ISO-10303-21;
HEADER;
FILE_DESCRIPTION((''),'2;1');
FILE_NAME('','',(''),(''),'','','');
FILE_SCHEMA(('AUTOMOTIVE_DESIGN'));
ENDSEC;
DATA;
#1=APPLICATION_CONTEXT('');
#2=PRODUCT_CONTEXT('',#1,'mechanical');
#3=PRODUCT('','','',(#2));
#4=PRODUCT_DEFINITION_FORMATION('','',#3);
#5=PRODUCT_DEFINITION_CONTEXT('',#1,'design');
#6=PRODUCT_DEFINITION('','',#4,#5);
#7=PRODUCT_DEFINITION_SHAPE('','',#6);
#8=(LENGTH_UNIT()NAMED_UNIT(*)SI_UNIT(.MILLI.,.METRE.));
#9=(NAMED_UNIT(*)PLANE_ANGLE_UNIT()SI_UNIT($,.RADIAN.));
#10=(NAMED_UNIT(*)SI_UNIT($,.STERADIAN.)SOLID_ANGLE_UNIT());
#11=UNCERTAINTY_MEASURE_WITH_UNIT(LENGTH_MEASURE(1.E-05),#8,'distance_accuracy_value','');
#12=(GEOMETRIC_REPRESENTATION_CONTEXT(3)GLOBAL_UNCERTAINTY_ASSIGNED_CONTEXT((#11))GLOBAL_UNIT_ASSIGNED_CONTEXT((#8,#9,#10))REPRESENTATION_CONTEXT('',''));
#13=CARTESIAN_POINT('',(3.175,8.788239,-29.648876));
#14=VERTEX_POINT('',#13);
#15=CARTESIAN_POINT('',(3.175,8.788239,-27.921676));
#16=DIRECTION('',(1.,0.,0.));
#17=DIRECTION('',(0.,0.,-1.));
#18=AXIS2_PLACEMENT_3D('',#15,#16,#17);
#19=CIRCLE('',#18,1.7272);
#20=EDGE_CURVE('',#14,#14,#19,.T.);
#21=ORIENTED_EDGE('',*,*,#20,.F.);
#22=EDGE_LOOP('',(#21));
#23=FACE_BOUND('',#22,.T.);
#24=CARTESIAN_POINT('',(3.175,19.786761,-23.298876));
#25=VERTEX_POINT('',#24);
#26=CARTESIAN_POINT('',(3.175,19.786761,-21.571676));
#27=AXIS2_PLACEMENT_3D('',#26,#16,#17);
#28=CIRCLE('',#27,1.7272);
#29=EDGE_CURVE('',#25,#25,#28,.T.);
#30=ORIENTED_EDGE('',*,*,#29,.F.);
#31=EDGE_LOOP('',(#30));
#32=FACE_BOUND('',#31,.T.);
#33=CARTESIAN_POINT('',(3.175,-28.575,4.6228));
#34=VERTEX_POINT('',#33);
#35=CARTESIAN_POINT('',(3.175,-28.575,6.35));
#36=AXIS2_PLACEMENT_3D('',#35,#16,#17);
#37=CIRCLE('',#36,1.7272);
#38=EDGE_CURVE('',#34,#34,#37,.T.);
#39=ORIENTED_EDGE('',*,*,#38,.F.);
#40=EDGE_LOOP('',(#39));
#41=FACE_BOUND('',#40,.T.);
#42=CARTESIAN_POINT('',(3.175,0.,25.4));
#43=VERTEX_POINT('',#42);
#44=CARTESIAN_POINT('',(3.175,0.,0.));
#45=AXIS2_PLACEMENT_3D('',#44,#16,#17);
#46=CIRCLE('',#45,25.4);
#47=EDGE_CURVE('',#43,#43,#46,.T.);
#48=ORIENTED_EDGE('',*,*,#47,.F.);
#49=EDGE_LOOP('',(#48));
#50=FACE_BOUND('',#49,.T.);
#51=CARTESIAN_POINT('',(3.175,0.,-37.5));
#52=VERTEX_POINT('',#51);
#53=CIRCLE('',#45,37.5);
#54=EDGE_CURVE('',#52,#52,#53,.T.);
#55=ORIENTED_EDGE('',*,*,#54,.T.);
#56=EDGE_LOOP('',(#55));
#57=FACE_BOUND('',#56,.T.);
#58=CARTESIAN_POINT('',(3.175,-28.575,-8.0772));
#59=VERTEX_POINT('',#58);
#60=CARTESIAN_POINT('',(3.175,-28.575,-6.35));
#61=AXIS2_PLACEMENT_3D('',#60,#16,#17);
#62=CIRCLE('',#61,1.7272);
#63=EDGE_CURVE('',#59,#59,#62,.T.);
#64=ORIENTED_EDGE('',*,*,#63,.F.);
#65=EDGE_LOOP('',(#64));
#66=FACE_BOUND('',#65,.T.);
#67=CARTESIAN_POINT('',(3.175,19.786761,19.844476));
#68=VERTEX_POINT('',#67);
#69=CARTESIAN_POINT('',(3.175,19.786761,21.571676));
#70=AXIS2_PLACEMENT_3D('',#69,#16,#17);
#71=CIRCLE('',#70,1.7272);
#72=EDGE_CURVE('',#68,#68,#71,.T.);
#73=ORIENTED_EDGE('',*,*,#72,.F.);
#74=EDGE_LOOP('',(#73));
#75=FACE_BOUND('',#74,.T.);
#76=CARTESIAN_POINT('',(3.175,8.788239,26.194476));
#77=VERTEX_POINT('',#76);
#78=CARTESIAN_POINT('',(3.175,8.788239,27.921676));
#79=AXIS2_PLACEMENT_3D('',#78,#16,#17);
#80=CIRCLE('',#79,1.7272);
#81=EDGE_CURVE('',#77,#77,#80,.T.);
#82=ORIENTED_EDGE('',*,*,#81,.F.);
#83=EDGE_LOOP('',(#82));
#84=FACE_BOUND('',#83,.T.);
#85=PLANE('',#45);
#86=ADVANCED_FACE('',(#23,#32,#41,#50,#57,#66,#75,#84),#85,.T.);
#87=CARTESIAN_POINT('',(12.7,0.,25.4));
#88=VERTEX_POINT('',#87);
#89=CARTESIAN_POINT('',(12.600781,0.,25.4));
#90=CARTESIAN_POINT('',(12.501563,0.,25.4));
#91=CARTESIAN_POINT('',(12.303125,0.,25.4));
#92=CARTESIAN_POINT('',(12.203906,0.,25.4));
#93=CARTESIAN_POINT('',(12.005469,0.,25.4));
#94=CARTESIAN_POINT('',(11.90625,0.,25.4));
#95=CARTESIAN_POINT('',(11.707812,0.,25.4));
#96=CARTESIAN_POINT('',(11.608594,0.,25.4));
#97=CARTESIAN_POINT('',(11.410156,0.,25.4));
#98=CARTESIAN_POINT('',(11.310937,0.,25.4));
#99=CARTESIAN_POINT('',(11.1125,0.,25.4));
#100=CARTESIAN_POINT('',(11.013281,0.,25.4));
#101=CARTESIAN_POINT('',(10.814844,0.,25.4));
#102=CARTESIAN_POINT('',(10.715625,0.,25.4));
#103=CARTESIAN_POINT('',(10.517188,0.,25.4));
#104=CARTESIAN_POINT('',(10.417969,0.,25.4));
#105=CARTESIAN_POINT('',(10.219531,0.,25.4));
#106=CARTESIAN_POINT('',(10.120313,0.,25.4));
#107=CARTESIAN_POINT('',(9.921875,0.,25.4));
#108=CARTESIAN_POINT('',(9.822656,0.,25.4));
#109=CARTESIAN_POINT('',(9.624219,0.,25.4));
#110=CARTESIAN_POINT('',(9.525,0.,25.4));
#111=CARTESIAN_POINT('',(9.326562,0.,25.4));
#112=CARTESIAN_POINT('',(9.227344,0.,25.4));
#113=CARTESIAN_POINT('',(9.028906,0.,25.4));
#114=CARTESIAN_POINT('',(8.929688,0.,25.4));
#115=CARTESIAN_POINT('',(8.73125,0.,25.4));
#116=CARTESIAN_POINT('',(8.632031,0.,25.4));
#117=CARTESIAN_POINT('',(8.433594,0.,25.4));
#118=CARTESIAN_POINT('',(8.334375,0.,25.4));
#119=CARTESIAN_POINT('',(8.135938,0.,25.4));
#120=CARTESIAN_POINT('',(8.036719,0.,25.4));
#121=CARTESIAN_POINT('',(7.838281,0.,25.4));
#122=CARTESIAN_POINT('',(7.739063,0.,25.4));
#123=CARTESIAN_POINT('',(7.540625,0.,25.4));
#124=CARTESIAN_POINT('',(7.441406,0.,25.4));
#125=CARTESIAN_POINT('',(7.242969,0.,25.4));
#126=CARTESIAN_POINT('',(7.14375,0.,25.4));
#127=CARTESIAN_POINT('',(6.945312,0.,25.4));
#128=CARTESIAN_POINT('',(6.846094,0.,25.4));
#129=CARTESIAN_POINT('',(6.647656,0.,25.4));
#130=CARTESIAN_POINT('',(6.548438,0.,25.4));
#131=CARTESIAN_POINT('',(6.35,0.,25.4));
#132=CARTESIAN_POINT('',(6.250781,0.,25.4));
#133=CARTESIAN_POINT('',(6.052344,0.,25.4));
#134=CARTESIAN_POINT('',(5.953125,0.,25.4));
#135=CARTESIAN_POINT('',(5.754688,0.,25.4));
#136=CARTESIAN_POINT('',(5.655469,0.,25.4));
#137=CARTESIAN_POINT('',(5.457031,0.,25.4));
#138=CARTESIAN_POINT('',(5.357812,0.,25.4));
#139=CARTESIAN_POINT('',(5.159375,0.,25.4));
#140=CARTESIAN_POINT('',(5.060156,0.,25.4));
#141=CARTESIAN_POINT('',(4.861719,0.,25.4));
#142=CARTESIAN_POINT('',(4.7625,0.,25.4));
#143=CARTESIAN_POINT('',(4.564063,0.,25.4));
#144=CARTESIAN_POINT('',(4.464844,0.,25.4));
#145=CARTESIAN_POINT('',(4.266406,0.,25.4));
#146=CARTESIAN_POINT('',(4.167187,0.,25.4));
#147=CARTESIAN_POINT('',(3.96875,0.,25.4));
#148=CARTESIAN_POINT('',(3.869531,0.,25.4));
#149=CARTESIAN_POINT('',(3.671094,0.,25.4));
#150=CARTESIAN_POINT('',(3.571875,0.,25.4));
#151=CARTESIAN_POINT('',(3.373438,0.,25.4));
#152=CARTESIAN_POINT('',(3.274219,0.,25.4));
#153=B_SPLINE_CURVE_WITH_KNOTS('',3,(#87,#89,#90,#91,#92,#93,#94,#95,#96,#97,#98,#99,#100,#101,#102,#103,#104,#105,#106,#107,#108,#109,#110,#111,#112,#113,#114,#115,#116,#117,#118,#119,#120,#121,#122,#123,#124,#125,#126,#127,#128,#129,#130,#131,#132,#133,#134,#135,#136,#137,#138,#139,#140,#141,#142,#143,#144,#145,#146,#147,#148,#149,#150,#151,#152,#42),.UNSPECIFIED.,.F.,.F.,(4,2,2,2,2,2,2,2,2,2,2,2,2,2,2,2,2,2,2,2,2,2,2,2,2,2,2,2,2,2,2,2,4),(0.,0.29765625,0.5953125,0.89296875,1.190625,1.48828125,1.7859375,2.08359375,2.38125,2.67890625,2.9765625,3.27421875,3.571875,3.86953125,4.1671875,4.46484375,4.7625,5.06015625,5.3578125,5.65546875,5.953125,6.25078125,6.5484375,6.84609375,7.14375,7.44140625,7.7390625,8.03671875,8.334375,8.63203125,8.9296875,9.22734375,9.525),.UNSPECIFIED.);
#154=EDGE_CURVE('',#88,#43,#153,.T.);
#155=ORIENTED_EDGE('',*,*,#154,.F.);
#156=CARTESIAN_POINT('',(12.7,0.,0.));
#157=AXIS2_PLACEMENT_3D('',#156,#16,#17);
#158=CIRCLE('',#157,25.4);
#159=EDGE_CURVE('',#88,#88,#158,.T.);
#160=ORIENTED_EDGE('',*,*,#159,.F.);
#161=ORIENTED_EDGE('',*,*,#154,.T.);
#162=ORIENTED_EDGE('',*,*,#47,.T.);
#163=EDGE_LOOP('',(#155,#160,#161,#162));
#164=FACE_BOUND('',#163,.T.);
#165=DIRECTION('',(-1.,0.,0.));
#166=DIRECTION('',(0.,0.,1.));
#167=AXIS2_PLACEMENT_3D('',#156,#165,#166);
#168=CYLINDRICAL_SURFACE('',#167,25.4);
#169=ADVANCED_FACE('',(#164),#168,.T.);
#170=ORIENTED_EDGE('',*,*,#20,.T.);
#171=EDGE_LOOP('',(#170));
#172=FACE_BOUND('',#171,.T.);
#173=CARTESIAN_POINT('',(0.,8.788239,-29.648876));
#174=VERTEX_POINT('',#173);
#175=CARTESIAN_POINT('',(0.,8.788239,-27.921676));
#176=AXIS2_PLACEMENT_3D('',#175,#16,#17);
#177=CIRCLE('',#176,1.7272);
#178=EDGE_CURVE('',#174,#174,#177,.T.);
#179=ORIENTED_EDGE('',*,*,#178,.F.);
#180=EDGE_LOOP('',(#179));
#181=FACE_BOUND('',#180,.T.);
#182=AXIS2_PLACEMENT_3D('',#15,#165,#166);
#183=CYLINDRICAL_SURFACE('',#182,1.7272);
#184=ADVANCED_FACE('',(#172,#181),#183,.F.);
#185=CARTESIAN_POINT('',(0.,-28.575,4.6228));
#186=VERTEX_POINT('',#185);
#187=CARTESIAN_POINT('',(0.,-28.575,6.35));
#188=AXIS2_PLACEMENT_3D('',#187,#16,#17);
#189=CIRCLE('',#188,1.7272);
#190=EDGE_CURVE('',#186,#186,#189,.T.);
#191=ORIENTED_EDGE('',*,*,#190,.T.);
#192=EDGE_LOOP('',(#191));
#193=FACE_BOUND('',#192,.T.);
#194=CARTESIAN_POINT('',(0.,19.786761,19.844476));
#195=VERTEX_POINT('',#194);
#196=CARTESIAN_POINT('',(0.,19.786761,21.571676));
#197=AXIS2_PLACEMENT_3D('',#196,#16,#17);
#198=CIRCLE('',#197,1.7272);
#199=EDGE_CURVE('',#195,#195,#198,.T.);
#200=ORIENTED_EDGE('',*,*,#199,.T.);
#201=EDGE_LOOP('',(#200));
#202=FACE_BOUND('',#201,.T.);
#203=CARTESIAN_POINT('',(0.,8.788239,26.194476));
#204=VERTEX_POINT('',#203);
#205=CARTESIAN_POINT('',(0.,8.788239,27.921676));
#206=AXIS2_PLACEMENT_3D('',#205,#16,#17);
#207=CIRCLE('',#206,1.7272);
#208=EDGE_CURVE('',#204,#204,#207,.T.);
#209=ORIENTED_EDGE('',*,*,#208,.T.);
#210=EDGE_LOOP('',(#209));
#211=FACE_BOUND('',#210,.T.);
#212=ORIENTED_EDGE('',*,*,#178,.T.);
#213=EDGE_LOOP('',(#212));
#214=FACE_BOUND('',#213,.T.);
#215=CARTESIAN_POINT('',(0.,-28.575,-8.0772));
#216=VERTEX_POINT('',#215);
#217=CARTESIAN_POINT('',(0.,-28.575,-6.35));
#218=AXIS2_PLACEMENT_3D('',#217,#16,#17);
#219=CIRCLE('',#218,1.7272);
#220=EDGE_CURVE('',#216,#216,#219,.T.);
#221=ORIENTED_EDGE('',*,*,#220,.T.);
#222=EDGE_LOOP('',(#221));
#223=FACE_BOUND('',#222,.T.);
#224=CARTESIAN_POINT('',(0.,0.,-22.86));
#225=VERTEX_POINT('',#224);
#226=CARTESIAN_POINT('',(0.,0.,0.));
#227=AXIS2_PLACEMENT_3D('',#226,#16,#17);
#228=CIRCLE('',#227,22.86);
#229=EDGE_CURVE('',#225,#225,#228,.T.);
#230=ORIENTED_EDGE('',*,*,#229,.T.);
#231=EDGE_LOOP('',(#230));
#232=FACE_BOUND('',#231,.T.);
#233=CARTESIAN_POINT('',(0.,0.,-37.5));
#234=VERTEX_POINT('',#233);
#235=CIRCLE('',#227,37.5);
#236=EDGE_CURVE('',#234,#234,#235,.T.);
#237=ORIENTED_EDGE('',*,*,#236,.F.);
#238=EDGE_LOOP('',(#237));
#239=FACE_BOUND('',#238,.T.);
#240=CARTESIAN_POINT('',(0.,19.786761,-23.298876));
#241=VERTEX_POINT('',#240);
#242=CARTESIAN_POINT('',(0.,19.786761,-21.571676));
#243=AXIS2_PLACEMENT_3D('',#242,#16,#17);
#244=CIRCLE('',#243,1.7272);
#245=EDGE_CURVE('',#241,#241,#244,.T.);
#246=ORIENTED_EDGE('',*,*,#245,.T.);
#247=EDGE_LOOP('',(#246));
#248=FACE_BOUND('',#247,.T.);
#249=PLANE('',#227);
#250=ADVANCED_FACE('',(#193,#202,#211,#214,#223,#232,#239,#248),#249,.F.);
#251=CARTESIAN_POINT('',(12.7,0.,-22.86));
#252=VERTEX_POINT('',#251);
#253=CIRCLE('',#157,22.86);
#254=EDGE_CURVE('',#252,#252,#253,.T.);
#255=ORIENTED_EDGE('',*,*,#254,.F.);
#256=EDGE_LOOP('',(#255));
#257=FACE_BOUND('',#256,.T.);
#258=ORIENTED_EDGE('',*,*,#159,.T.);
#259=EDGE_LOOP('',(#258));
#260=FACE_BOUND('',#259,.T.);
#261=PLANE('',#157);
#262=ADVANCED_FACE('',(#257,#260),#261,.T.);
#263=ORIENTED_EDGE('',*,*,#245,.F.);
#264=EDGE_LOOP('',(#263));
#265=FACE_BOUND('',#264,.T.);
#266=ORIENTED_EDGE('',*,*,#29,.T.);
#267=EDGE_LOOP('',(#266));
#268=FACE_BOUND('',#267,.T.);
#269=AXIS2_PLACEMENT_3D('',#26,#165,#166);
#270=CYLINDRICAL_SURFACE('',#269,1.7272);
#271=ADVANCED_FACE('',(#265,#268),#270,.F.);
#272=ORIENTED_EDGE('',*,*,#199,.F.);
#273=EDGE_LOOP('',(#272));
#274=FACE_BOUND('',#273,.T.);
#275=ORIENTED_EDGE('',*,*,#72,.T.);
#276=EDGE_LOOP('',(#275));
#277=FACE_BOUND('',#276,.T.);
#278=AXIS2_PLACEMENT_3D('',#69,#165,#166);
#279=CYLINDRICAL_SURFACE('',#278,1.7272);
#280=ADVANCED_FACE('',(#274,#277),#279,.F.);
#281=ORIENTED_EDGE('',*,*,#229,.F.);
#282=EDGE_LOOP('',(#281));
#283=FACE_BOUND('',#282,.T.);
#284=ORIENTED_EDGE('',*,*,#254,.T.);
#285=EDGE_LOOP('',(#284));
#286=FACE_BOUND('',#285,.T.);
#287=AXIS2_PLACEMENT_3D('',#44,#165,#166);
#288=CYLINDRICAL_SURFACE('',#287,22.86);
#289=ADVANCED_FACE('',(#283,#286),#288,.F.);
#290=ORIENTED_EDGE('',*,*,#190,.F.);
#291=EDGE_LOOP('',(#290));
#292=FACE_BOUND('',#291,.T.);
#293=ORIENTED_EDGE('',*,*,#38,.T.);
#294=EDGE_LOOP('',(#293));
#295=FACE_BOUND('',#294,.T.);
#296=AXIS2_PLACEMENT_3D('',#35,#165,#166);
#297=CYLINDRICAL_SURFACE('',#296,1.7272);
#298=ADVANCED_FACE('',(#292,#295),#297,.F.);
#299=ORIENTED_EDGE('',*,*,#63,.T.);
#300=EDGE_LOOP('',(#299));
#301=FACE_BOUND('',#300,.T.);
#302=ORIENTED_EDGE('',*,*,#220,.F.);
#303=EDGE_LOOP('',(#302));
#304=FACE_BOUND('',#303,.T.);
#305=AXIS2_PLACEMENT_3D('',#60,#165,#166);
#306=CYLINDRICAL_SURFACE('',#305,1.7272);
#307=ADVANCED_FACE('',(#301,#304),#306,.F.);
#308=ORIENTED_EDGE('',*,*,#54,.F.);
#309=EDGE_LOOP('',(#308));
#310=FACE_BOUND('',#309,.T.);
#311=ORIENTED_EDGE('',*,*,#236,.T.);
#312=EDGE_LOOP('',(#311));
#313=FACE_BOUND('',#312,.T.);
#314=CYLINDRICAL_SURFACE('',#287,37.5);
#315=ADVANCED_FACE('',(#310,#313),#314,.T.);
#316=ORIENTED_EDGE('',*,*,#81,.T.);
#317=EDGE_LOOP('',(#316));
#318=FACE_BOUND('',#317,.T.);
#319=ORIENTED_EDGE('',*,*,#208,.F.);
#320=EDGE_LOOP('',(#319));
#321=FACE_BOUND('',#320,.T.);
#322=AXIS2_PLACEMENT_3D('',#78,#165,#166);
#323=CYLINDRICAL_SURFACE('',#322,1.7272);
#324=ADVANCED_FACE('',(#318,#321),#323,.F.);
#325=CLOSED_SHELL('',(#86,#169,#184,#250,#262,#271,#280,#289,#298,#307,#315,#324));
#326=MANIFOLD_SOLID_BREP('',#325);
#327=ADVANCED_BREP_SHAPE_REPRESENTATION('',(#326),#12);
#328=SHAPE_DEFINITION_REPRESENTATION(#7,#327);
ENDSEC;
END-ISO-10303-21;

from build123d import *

# Parameters (mm, degrees)
SKETCH2_R           = 37.5
SKETCH2_R_2         = 1.7272
SKETCH2_R_3         = 22.86
BOSS_EXTRUDE1_DEPTH = 3.175
SKETCH3_R           = 25.4
SKETCH3_R_2         = 22.86
BOSS_EXTRUDE2_DEPTH = 9.525


with BuildPart() as part:
    # Sketch2 → Boss-Extrude1 (new body)
    with BuildSketch(Plane(origin=(0, 0, 0), x_dir=(0, 0, -1), z_dir=(1, 0, 0))):
        Circle(SKETCH2_R)
        with Locations((27.921675913, 8.788238686)):
            Circle(SKETCH2_R_2, mode=Mode.SUBTRACT)
        with Locations((21.571675913, 19.786761314)):
            Circle(SKETCH2_R_2, mode=Mode.SUBTRACT)
        with Locations((-21.571675913, 19.786761314)):
            Circle(SKETCH2_R_2, mode=Mode.SUBTRACT)
        with Locations((-27.921675913, 8.788238686)):
            Circle(SKETCH2_R_2, mode=Mode.SUBTRACT)
        with Locations((-6.35, -28.575)):
            Circle(SKETCH2_R_2, mode=Mode.SUBTRACT)
        with Locations((6.35, -28.575)):
            Circle(SKETCH2_R_2, mode=Mode.SUBTRACT)
        Circle(SKETCH2_R_3, mode=Mode.SUBTRACT)
    extrude(amount=BOSS_EXTRUDE1_DEPTH)

    # Sketch3 → Boss-Extrude2 (add)
    with BuildSketch(Plane(origin=(3.175, 0, 0), x_dir=(0, 0, -1), z_dir=(1, 0, 0))):
        with Locations(Location((0, 0, 0), (0, 0, 180))):
            Circle(SKETCH3_R)
        Circle(SKETCH3_R_2, mode=Mode.SUBTRACT)
    extrude(amount=BOSS_EXTRUDE2_DEPTH)


solid = part.part
